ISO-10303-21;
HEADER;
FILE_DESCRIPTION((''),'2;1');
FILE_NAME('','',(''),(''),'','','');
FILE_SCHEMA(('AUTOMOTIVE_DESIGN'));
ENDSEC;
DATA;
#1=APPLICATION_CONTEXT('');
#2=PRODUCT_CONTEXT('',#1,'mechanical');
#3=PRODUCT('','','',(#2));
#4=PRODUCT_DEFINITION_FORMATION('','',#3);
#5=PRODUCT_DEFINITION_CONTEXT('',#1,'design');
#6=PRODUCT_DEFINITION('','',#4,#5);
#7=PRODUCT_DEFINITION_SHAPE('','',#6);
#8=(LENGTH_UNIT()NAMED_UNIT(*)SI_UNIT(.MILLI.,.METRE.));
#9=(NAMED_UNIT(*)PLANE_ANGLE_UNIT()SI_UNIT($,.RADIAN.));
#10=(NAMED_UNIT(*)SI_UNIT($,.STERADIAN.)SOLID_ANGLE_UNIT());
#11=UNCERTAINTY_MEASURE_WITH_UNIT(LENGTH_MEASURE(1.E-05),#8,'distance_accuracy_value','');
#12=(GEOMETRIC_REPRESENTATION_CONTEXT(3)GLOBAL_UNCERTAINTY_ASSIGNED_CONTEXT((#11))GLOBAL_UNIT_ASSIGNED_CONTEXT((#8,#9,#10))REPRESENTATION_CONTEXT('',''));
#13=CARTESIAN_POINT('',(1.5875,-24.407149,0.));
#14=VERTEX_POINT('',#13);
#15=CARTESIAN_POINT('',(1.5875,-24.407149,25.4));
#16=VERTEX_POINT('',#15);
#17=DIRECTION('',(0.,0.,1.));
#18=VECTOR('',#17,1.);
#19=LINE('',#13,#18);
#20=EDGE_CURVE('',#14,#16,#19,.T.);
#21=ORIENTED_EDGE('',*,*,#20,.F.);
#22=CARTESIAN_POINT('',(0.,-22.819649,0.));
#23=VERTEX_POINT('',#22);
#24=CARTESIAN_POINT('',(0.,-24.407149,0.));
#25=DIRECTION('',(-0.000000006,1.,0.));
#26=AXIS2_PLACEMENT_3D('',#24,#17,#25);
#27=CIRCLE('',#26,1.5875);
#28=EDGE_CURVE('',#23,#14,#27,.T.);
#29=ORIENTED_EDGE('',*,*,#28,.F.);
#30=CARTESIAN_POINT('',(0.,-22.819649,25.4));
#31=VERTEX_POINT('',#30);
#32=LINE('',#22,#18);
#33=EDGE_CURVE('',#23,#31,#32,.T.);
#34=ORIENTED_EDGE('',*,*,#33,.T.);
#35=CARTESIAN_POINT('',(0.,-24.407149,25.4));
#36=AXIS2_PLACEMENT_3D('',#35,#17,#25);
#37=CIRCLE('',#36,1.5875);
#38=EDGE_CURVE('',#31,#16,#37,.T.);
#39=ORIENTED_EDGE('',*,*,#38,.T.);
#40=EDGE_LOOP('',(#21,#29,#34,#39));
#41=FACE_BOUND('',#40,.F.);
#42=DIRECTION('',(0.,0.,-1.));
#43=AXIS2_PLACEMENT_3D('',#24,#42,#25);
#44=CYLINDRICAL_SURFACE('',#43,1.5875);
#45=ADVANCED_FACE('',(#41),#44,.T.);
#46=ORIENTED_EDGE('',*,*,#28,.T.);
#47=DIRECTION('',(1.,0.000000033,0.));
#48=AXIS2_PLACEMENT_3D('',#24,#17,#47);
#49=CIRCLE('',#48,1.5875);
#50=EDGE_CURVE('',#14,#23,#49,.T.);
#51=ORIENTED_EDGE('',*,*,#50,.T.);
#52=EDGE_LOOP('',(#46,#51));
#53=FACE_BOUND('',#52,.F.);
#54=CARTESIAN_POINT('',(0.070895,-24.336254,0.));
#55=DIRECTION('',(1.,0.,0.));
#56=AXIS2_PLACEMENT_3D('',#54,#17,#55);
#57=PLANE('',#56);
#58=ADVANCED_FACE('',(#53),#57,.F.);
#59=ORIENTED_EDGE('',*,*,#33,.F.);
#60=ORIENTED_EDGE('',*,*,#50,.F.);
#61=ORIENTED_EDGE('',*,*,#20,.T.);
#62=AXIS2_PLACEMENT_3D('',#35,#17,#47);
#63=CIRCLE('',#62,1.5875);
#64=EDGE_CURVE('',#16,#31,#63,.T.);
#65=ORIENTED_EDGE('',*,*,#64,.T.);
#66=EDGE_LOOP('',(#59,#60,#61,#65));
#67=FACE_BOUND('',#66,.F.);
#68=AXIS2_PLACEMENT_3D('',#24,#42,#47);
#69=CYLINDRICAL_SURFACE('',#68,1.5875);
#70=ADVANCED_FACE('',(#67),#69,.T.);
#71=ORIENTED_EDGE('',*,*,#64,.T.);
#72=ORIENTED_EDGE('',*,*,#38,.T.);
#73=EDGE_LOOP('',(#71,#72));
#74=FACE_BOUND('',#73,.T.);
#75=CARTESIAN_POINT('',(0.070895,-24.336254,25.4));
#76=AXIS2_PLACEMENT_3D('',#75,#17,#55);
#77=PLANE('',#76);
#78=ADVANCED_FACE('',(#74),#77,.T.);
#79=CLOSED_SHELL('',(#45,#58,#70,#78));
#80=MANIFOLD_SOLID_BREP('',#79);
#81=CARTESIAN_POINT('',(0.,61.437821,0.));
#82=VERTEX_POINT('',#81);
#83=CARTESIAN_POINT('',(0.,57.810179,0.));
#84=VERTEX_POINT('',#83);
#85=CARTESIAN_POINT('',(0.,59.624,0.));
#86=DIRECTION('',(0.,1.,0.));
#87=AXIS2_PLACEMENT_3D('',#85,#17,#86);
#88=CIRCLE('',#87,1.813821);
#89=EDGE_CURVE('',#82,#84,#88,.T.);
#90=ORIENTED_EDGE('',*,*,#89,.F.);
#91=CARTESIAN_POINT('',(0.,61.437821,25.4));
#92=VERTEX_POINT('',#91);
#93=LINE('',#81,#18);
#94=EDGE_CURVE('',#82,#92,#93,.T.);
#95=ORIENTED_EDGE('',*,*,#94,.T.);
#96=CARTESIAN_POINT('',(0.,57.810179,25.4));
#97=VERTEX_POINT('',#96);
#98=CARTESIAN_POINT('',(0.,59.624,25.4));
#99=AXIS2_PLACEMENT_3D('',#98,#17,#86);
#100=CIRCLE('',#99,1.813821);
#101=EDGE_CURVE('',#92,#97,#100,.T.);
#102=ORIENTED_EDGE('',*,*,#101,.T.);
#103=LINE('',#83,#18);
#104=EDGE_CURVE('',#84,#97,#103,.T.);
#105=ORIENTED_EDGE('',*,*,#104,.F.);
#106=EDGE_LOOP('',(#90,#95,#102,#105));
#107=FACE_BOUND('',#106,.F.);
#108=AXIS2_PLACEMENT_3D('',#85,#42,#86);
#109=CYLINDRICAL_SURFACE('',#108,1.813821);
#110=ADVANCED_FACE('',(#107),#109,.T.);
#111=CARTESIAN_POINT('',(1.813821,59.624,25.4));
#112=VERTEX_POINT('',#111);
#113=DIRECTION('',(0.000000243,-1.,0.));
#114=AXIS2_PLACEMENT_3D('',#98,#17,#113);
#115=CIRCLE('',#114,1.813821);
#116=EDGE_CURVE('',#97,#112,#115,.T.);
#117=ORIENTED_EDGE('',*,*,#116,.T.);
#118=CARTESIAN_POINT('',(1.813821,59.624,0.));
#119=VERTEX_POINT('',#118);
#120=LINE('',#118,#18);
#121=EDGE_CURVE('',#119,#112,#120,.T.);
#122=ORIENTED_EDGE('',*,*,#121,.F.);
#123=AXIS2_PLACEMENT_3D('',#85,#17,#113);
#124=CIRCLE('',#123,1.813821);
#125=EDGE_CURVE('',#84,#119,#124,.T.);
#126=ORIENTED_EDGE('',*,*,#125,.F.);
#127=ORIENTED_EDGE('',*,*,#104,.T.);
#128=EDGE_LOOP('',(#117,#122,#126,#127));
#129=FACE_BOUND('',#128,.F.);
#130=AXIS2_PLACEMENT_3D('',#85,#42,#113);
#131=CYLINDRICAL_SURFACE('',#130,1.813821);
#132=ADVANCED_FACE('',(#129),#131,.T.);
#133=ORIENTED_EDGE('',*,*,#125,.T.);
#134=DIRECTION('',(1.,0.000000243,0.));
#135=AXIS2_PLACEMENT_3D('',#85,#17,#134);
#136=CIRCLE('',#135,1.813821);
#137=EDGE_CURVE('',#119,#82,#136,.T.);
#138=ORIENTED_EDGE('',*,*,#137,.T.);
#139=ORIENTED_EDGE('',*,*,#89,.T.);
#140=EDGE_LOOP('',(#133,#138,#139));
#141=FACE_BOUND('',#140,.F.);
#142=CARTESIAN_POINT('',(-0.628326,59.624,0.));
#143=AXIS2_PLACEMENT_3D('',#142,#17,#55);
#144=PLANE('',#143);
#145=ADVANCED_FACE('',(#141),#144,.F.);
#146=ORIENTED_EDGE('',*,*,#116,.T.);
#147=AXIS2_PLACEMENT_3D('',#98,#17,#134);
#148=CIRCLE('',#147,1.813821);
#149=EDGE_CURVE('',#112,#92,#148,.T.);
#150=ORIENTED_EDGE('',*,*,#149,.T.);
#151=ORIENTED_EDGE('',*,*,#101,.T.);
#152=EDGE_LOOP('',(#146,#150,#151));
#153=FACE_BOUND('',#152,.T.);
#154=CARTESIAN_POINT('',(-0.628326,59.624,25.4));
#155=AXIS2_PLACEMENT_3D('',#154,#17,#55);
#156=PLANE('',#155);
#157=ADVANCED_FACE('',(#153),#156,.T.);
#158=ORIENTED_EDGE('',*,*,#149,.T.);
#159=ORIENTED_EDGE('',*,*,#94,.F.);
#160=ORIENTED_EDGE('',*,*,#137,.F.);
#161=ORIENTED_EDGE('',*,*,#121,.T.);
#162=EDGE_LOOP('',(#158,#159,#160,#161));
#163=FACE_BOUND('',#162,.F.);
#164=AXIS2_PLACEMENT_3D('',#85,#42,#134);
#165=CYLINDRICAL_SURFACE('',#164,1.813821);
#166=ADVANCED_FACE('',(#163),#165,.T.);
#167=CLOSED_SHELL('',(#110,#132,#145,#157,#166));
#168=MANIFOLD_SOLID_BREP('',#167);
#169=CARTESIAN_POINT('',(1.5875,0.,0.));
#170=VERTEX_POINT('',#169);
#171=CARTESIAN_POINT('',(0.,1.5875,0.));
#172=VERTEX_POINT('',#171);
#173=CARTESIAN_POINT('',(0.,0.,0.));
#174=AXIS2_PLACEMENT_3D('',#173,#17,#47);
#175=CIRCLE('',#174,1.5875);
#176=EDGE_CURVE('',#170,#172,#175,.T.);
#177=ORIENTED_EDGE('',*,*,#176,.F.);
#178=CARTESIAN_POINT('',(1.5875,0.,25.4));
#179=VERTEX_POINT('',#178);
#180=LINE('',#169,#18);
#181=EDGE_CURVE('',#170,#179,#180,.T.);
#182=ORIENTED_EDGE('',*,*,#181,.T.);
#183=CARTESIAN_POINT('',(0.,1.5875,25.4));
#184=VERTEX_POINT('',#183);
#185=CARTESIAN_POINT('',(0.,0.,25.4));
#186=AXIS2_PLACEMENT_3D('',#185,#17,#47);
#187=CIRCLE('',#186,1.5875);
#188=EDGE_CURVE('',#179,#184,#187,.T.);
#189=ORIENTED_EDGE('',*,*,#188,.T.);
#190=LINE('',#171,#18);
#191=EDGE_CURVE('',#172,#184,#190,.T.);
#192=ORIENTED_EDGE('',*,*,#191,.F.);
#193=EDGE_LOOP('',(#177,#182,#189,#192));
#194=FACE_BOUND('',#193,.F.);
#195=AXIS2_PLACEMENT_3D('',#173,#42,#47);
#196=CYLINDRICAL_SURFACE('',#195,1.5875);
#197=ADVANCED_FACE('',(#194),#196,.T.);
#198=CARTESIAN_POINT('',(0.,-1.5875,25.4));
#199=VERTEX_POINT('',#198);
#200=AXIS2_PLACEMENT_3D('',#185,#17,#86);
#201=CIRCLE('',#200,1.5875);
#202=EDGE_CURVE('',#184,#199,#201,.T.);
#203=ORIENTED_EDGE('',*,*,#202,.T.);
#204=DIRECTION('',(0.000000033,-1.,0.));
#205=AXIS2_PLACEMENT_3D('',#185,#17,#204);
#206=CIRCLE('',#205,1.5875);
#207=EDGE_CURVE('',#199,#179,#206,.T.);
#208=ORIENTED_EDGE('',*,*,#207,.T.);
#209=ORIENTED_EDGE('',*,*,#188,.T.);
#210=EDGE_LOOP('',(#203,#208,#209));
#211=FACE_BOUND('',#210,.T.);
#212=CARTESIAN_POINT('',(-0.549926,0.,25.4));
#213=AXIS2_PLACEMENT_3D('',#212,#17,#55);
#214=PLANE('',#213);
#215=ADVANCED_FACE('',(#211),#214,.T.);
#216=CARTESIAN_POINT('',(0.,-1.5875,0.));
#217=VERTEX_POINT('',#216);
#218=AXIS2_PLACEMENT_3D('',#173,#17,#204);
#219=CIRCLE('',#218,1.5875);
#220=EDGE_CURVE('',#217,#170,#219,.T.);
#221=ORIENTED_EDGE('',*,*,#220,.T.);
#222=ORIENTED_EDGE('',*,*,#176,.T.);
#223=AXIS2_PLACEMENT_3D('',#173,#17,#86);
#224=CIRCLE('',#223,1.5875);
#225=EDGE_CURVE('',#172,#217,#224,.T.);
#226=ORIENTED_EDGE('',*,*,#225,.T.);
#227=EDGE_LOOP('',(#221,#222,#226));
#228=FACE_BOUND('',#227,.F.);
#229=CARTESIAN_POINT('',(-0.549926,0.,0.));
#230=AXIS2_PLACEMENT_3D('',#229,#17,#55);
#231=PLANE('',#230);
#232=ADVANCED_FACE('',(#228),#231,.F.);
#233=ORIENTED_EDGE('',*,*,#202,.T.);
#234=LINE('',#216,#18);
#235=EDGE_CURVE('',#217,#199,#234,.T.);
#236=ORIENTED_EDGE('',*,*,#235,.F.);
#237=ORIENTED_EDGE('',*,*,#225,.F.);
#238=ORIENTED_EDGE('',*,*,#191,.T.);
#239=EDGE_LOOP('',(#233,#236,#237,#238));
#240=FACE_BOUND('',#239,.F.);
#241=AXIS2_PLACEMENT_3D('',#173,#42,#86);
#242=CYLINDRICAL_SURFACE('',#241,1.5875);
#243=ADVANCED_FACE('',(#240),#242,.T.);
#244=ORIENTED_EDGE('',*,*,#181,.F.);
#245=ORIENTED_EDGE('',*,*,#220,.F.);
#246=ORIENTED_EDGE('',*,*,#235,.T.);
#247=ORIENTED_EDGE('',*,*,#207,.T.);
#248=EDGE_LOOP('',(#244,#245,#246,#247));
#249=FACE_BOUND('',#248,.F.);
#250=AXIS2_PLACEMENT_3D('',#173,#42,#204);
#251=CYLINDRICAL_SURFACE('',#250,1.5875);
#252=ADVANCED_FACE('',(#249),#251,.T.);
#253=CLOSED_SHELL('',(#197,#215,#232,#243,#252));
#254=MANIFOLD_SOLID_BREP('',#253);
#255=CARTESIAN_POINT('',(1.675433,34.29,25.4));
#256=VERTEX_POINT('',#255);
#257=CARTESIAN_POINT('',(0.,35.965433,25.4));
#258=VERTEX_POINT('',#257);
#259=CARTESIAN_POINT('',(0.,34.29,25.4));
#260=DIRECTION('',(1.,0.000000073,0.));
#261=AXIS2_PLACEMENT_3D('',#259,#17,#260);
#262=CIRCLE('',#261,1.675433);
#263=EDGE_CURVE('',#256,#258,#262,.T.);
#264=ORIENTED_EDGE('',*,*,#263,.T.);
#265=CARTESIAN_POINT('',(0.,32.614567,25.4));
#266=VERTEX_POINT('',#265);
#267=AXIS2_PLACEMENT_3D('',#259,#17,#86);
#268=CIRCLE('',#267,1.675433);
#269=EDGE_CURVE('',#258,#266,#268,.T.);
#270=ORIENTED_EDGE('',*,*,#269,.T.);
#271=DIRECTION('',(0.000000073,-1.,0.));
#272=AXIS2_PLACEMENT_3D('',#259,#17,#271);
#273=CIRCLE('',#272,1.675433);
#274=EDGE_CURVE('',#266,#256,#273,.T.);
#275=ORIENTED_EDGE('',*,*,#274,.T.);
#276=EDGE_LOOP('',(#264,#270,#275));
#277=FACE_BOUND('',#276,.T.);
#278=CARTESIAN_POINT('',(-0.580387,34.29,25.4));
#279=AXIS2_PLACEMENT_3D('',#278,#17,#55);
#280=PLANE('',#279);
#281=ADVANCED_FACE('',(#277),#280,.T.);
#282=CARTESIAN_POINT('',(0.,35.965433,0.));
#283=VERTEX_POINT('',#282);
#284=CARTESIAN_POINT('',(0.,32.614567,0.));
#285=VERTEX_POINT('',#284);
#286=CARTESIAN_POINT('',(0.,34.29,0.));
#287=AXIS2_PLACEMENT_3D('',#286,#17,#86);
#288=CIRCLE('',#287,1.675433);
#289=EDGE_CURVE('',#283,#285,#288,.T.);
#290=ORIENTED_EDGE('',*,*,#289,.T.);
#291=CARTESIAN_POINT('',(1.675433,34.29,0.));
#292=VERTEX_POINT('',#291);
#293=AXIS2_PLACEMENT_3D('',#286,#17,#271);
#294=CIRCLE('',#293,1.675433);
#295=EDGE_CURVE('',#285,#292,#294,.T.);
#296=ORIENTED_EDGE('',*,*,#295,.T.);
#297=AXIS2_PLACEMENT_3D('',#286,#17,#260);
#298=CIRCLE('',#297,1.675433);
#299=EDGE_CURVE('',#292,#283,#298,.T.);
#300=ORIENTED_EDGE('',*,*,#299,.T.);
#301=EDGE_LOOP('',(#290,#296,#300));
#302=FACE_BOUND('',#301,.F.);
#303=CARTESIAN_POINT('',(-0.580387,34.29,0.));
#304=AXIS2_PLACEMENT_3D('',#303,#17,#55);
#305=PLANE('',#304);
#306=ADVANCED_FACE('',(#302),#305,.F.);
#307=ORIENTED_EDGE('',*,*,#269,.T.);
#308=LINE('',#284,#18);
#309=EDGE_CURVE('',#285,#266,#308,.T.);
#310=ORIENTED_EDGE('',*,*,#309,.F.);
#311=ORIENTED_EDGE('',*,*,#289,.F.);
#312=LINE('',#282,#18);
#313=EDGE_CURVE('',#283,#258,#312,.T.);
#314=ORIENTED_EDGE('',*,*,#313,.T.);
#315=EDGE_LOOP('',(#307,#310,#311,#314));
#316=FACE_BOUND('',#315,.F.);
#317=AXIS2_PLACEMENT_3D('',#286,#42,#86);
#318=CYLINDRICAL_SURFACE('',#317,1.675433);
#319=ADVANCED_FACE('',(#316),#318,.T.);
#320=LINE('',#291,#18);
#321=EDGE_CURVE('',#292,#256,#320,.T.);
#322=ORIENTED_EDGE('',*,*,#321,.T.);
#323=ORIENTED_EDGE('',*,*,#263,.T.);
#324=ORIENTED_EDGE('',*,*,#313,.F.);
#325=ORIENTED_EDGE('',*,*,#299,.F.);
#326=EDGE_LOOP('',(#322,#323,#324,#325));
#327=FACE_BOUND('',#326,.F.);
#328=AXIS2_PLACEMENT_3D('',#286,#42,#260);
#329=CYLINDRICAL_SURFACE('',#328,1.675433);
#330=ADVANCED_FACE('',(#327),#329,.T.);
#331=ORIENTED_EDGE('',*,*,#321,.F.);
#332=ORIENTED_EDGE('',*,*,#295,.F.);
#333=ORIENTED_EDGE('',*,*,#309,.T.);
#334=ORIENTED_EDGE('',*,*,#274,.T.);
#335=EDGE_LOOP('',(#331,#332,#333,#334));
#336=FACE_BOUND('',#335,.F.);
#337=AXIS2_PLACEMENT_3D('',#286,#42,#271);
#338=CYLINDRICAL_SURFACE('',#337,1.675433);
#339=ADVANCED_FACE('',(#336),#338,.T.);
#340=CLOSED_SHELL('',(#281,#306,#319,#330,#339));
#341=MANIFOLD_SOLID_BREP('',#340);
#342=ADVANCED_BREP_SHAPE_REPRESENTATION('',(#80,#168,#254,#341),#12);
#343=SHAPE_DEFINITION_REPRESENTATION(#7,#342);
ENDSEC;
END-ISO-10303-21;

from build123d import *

# Parameters (mm, degrees)
F1_DEPTH = 25.4


with BuildPart() as f1:
    # F0 (on Top) → F1 (new body)
    with BuildSketch(Plane.XY):
        with BuildLine():
            ThreePointArc((0, 61.437821), (-1.813821, 59.624), (0, 57.810179))
            Line((0, 57.810179), (0, 59.624))
            Line((0, 59.624), (0, 61.437821))
        make_face()
        with BuildLine():
            Line((0, 59.624), (0, 57.810179))
            ThreePointArc((0, 57.810179), (1.282565, 58.341435), (1.813821, 59.624))
            ThreePointArc((1.813821, 59.624), (1.282565, 60.906565), (0, 61.437821))
            Line((0, 61.437821), (0, 59.624))
        make_face()
        with BuildLine():
            ThreePointArc((0, 35.965433), (-1.675433, 34.29), (0, 32.614567))
            Line((0, 32.614567), (0, 34.29))
            Line((0, 34.29), (0, 35.965433))
        make_face()
        with BuildLine():
            Line((0, 34.29), (0, 32.614567))
            ThreePointArc((0, 32.614567), (1.18471, 33.10529), (1.675433, 34.29))
            ThreePointArc((1.675433, 34.29), (1.18471, 35.47471), (0, 35.965433))
            Line((0, 35.965433), (0, 34.29))
        make_face()
        with BuildLine():
            ThreePointArc((0, 1.5875), (-1.5875, 0), (0, -1.5875))
            Line((0, -1.5875), (0, 0))
            Line((0, 0), (0, 1.5875))
        make_face()
        with BuildLine():
            Line((0, 0), (0, -1.5875))
            ThreePointArc((0, -1.5875), (1.122532, -1.122532), (1.5875, 0))
            ThreePointArc((1.5875, 0), (1.122532, 1.122532), (0, 1.5875))
            Line((0, 1.5875), (0, 0))
        make_face()
        with BuildLine():
            ThreePointArc((1.5875, -24.407149), (1.122532, -23.284617), (0, -22.819649))
            ThreePointArc((0, -22.819649), (-1.122532, -25.529681), (1.5875, -24.407149))
        make_face()
    extrude(amount=F1_DEPTH)


solid = f1.part
